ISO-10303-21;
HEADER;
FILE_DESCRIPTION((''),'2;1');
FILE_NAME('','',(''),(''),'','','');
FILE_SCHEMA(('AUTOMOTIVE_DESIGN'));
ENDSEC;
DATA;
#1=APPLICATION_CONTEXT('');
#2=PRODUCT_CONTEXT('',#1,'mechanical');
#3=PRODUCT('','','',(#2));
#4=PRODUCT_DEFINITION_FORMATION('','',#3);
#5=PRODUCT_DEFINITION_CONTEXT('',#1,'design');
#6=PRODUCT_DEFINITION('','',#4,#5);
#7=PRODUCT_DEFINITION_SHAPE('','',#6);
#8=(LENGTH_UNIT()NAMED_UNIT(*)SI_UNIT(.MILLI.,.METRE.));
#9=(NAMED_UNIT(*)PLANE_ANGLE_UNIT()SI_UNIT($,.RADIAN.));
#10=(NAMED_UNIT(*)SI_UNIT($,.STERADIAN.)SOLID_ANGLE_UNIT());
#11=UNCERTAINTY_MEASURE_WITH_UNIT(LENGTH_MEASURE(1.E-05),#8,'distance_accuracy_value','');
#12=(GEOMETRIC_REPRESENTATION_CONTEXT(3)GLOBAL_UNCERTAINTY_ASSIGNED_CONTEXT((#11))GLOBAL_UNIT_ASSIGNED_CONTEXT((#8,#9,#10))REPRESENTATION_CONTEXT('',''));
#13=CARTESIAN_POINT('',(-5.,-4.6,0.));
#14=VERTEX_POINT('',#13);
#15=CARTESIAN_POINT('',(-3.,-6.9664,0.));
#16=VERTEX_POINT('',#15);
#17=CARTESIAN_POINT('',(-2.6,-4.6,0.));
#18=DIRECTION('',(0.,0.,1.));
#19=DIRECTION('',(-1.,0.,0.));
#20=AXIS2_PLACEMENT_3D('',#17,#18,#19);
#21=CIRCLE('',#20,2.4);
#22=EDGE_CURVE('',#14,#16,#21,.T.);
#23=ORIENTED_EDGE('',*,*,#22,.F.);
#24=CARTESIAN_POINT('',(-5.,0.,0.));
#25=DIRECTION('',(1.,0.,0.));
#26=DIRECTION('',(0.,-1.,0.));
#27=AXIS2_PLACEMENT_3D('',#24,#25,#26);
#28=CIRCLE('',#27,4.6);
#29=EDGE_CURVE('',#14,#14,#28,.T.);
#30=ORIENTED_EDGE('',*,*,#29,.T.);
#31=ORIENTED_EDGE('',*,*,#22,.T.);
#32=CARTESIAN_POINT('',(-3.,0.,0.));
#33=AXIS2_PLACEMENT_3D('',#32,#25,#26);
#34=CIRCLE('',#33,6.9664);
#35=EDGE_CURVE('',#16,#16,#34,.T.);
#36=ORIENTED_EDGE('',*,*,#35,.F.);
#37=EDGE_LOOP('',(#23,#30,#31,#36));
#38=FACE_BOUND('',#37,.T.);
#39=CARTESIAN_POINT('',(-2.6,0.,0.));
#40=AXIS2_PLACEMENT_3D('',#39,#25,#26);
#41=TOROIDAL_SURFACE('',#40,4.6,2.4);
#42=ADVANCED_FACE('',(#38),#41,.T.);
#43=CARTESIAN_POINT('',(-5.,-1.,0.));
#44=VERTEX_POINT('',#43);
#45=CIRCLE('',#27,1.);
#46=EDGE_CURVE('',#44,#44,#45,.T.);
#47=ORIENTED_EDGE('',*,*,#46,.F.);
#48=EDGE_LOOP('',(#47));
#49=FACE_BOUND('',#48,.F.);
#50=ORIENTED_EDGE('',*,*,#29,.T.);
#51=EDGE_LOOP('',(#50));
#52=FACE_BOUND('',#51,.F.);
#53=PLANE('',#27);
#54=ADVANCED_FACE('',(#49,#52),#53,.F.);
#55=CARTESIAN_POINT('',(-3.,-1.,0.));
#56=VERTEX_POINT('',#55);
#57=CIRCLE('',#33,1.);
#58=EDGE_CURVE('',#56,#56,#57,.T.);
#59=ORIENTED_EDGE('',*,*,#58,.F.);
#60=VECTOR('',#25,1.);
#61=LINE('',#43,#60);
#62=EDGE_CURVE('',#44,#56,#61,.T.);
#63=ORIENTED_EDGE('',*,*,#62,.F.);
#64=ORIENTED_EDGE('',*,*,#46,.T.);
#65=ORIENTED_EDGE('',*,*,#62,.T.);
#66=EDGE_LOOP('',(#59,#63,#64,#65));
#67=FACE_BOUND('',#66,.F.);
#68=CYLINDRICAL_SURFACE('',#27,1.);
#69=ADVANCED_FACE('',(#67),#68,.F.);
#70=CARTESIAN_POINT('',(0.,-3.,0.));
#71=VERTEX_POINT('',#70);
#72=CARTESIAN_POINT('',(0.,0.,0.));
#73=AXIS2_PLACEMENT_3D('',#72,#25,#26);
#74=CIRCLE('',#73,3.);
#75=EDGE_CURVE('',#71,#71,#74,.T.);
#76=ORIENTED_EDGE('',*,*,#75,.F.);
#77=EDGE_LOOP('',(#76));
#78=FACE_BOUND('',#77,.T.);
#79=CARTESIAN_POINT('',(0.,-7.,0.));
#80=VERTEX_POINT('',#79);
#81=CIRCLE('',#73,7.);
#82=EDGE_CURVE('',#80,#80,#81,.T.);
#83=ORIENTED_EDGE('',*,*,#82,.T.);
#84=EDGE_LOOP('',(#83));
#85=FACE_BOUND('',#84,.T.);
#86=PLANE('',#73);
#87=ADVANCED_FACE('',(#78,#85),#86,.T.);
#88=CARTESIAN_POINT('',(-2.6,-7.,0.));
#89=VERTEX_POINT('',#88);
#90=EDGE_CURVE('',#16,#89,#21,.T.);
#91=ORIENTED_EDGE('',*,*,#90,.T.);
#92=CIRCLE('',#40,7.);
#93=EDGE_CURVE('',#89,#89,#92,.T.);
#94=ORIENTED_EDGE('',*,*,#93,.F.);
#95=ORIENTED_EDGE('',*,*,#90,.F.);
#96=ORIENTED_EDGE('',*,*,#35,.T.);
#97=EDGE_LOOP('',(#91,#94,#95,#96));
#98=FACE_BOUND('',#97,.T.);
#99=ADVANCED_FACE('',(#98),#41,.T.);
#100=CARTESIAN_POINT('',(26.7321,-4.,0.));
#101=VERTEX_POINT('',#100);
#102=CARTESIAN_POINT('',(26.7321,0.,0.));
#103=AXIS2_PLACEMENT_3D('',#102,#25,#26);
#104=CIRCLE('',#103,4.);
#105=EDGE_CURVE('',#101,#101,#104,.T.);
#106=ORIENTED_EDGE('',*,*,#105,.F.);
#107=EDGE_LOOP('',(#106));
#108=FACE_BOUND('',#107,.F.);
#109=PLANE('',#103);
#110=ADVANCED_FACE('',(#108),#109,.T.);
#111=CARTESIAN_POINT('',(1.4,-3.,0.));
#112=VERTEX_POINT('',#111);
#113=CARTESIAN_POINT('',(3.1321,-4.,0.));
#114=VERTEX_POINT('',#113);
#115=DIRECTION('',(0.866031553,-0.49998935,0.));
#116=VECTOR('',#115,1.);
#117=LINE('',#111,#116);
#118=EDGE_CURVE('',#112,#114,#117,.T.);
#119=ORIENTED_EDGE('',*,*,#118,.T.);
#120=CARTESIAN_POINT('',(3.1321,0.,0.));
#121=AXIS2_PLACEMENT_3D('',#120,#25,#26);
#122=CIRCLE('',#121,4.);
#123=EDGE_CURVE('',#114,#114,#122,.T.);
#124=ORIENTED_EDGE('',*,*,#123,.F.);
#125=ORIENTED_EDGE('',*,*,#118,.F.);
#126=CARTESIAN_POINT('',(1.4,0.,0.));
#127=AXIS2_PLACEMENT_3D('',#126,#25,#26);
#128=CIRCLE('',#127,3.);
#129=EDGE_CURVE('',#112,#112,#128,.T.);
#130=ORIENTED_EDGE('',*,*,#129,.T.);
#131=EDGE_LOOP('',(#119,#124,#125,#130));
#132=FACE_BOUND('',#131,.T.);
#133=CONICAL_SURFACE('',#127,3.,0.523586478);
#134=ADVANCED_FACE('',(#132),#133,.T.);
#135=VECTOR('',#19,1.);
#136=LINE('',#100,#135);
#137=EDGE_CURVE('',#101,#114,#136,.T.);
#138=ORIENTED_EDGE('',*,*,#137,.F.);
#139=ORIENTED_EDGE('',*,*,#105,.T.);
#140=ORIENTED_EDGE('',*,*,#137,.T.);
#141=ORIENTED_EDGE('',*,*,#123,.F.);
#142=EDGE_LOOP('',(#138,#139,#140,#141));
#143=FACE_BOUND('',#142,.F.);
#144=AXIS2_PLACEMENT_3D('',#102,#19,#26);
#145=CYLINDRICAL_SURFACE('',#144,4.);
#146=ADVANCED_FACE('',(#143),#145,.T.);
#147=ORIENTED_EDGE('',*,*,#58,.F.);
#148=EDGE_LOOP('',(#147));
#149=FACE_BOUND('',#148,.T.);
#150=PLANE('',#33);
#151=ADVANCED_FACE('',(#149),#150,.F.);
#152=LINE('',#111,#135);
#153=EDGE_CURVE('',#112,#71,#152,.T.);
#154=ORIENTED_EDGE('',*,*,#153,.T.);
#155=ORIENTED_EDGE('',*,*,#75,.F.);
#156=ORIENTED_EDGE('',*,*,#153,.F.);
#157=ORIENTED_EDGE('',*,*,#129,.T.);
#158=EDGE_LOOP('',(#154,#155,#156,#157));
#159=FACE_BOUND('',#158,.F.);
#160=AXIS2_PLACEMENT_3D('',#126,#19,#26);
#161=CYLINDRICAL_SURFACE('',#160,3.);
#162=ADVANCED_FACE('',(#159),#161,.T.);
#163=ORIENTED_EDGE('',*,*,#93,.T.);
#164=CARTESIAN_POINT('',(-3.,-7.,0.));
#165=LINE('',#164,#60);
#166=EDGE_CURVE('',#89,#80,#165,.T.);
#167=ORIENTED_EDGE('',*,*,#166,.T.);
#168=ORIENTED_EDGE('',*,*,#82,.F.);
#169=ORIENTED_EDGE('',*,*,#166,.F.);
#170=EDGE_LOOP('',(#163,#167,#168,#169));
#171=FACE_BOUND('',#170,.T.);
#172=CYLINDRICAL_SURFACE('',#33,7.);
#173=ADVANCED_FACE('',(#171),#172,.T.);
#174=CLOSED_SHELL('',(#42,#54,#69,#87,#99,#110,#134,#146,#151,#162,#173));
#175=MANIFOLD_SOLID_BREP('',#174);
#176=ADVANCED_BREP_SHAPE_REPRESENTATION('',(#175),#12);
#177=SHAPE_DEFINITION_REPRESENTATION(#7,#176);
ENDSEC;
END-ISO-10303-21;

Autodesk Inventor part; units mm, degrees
ref_plane "YZ Plane" through (0, 0, 0) normal (1, 0, 0) x (0, 1, 0)
ref_plane "XZ Plane" through (0, 0, 0) normal (0, 1, 0) x (-1, 0, 0)
ref_plane "XY Plane" through (0, 0, 0) normal (0, 0, 1) x (1, 0, 0)
sketch "草图1" plane through (0, 0, 0) normal (0, 0, 1) x (1, 0, 0)
  line L0 (0, 0) -> (1.4, 0)
  line L1 (1.4, -3) -> (0, -3)
  line L2 (0, 0) -> (-3, 0)
  line L3 (-3, -7) -> (0, -7)
  line L4 (0, -7) -> (0, -3)
  line L5 (-5, -4.6) -> (-5, -1)
  line L6 (-5, -1) -> (-3, -1)
  line L7 (-3, -6.9664) -> (-3, -7)
  arc A0 (-5, -4.6) -> (-2.6, -7) centre (-2.6, -4.6) ccw
  line L8 (1.4, -3) -> (3.1321, -4)
  line L9 (-3, 0) -> (-3, -1)
  line L10 (-3, -6.9664) -> (-3, -7)
  line L11 (1.4, 0) -> (26.7321, 0)
  line L12 (26.7321, 0) -> (26.7321, -4)
  line L13 (26.7321, -4) -> (3.1321, -4)
  dimension "d0" = 1.4
  dimension "d1" = 3
  dimension "d2" = 3
  dimension "d4" = 2
  dimension "d6" = 4.8
  dimension "d7" = 30
  dimension "d9" = 23.6
  dimension "d10" = 4
revolve "旋转1" add sketch "草图1" angle 360 about axis through (1.4, 0, 0) along (1, 0, 0) contours L0 L11 L12 L13 L8 L1 L4 L3 A0 L5 L6 L9 L2
properties part number "13-螺钉" material "不锈钢"
